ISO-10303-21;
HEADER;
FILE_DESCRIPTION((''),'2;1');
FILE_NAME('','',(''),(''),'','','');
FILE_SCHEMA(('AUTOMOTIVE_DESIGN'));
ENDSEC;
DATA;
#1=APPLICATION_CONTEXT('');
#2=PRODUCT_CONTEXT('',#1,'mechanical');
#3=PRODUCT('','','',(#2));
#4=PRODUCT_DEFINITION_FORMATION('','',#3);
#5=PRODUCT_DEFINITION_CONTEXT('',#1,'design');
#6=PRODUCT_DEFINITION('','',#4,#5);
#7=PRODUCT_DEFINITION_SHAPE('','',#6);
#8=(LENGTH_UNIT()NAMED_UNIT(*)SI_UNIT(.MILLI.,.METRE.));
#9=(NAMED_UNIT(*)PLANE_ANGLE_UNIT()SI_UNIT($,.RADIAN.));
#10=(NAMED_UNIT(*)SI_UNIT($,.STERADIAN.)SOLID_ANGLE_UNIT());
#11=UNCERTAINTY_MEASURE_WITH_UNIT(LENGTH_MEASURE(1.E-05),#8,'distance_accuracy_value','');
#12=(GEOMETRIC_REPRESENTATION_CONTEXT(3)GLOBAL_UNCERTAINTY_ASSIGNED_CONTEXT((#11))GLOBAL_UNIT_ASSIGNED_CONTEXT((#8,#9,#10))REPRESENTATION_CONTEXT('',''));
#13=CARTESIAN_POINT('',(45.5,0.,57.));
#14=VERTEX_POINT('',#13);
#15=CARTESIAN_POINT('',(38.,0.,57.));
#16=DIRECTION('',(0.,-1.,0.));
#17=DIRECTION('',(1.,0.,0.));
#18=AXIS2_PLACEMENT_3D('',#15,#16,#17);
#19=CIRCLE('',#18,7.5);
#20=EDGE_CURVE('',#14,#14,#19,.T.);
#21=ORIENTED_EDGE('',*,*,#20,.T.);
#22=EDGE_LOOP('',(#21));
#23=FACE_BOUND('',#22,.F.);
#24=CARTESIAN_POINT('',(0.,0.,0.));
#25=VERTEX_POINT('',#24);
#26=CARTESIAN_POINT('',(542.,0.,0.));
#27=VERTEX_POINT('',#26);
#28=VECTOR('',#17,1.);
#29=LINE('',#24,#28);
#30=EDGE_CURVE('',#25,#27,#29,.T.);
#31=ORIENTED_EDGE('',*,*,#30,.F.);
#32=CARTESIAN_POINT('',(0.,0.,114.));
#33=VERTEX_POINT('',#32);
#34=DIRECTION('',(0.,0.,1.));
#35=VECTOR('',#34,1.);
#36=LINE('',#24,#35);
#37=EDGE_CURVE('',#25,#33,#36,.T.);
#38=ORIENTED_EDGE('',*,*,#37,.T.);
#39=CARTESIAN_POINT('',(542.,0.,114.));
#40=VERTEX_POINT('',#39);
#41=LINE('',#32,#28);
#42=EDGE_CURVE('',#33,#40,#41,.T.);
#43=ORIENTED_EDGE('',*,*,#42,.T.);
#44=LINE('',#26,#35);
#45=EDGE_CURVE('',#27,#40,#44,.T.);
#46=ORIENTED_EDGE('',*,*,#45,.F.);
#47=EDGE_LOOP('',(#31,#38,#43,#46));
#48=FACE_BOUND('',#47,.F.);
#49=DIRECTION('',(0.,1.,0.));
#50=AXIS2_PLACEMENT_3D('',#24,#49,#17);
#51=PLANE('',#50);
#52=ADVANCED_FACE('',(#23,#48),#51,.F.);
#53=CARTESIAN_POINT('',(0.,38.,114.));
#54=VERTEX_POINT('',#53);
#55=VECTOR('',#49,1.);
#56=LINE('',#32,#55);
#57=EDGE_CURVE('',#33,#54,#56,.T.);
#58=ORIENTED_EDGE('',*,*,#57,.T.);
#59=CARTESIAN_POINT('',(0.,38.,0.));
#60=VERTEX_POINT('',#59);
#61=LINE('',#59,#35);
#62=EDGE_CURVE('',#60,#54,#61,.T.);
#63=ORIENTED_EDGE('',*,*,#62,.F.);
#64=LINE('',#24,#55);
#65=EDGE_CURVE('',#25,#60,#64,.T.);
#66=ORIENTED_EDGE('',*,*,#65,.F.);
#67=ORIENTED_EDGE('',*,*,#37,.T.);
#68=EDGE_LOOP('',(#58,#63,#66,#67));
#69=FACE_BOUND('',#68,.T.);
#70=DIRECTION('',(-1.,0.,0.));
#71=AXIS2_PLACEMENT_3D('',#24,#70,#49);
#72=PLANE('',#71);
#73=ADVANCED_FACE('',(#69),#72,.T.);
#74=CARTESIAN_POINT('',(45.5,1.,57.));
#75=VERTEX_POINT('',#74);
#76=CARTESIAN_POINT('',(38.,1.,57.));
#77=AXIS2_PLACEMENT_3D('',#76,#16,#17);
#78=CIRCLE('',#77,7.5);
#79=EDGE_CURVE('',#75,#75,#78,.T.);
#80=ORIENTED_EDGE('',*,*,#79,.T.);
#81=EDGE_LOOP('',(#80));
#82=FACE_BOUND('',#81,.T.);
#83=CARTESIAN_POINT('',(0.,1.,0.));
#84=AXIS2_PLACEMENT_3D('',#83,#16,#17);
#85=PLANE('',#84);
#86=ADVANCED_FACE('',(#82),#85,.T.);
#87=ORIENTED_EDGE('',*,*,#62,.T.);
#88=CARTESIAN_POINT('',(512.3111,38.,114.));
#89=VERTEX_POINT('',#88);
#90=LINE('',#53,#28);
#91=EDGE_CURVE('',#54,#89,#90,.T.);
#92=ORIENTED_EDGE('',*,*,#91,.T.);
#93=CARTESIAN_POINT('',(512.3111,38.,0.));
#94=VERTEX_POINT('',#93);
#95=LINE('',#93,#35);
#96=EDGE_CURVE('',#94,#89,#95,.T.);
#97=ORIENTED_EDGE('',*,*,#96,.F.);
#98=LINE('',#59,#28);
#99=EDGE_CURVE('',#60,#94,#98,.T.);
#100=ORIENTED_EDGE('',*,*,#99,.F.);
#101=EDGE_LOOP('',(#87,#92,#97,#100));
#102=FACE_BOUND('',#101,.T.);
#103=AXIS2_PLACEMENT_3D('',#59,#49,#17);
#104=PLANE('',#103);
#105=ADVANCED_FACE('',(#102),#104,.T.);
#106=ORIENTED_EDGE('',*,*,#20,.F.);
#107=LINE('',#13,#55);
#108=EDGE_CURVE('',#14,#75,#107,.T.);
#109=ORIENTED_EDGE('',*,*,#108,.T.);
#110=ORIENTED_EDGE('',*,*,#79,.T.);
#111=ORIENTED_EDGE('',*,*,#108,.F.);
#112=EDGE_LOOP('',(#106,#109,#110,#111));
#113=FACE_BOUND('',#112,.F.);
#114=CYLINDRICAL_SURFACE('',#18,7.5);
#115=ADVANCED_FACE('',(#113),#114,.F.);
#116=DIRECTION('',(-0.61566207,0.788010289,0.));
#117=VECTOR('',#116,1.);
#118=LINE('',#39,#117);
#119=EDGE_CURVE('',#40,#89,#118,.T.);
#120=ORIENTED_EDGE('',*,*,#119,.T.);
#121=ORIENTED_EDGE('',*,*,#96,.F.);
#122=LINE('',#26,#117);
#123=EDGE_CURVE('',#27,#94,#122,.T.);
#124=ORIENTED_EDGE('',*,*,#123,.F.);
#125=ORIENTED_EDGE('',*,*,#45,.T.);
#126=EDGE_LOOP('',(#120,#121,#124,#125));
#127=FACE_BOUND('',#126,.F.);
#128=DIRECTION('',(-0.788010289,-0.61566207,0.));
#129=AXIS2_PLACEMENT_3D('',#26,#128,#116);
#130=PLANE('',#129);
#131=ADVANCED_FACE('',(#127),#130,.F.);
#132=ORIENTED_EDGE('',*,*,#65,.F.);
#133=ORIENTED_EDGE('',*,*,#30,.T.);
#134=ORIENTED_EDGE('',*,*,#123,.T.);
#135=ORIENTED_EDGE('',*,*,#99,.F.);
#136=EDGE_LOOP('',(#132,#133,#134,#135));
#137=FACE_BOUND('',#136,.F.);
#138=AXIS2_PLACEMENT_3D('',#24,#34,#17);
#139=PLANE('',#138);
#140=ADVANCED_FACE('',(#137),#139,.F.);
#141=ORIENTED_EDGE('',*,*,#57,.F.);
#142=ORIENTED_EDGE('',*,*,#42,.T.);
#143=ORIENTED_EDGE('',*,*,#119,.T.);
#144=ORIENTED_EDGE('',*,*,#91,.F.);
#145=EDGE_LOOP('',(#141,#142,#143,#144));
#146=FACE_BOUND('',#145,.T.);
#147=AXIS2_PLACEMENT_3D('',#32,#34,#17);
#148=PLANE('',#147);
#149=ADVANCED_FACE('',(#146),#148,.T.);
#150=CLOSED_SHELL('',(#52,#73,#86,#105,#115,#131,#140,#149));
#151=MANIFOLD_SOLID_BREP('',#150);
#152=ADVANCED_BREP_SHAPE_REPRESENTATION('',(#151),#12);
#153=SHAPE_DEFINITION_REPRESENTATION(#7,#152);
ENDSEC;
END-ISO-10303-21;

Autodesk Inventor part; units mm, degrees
ref_plane "YZ Plane" through (0, 0, 0) normal (1, 0, 0) x (0, 1, 0)
ref_plane "XZ Plane" through (0, 0, 0) normal (0, 1, 0) x (-1, 0, 0)
ref_plane "XY Plane" through (0, 0, 0) normal (0, 0, 1) x (1, 0, 0)
sketch "Sketch1" plane through (0, 0, 0) normal (0, 0, 1) x (1, 0, 0)
  line L0 (0, 0) -> (542, 0)
  line L1 (0, 0) -> (0, 38)
  line L2 (0, 38) -> (512.3111, 38)
  line L3 (542, 0) -> (512.3111, 38)
  dimension "d0" = 542
  dimension "d1" = 38
  dimension "d2" = 52
extrude "Extrusion1" add sketch "Sketch1" along normal blind 114
sketch "Sketch3" plane through (0, 0, 0) normal (0, -1, 0) x (1, 0, 0)
  line L0 (0, 0) -> (0, 114) projected
  circle A0 centre (38, 57) radius 7.5
  dimension "d21" = 38
  dimension "d22" = 15
extrude "Extrusion2" cut sketch "Sketch3" against normal blind 1
properties part number "2p3s37" material "Wood (Cherry)"
